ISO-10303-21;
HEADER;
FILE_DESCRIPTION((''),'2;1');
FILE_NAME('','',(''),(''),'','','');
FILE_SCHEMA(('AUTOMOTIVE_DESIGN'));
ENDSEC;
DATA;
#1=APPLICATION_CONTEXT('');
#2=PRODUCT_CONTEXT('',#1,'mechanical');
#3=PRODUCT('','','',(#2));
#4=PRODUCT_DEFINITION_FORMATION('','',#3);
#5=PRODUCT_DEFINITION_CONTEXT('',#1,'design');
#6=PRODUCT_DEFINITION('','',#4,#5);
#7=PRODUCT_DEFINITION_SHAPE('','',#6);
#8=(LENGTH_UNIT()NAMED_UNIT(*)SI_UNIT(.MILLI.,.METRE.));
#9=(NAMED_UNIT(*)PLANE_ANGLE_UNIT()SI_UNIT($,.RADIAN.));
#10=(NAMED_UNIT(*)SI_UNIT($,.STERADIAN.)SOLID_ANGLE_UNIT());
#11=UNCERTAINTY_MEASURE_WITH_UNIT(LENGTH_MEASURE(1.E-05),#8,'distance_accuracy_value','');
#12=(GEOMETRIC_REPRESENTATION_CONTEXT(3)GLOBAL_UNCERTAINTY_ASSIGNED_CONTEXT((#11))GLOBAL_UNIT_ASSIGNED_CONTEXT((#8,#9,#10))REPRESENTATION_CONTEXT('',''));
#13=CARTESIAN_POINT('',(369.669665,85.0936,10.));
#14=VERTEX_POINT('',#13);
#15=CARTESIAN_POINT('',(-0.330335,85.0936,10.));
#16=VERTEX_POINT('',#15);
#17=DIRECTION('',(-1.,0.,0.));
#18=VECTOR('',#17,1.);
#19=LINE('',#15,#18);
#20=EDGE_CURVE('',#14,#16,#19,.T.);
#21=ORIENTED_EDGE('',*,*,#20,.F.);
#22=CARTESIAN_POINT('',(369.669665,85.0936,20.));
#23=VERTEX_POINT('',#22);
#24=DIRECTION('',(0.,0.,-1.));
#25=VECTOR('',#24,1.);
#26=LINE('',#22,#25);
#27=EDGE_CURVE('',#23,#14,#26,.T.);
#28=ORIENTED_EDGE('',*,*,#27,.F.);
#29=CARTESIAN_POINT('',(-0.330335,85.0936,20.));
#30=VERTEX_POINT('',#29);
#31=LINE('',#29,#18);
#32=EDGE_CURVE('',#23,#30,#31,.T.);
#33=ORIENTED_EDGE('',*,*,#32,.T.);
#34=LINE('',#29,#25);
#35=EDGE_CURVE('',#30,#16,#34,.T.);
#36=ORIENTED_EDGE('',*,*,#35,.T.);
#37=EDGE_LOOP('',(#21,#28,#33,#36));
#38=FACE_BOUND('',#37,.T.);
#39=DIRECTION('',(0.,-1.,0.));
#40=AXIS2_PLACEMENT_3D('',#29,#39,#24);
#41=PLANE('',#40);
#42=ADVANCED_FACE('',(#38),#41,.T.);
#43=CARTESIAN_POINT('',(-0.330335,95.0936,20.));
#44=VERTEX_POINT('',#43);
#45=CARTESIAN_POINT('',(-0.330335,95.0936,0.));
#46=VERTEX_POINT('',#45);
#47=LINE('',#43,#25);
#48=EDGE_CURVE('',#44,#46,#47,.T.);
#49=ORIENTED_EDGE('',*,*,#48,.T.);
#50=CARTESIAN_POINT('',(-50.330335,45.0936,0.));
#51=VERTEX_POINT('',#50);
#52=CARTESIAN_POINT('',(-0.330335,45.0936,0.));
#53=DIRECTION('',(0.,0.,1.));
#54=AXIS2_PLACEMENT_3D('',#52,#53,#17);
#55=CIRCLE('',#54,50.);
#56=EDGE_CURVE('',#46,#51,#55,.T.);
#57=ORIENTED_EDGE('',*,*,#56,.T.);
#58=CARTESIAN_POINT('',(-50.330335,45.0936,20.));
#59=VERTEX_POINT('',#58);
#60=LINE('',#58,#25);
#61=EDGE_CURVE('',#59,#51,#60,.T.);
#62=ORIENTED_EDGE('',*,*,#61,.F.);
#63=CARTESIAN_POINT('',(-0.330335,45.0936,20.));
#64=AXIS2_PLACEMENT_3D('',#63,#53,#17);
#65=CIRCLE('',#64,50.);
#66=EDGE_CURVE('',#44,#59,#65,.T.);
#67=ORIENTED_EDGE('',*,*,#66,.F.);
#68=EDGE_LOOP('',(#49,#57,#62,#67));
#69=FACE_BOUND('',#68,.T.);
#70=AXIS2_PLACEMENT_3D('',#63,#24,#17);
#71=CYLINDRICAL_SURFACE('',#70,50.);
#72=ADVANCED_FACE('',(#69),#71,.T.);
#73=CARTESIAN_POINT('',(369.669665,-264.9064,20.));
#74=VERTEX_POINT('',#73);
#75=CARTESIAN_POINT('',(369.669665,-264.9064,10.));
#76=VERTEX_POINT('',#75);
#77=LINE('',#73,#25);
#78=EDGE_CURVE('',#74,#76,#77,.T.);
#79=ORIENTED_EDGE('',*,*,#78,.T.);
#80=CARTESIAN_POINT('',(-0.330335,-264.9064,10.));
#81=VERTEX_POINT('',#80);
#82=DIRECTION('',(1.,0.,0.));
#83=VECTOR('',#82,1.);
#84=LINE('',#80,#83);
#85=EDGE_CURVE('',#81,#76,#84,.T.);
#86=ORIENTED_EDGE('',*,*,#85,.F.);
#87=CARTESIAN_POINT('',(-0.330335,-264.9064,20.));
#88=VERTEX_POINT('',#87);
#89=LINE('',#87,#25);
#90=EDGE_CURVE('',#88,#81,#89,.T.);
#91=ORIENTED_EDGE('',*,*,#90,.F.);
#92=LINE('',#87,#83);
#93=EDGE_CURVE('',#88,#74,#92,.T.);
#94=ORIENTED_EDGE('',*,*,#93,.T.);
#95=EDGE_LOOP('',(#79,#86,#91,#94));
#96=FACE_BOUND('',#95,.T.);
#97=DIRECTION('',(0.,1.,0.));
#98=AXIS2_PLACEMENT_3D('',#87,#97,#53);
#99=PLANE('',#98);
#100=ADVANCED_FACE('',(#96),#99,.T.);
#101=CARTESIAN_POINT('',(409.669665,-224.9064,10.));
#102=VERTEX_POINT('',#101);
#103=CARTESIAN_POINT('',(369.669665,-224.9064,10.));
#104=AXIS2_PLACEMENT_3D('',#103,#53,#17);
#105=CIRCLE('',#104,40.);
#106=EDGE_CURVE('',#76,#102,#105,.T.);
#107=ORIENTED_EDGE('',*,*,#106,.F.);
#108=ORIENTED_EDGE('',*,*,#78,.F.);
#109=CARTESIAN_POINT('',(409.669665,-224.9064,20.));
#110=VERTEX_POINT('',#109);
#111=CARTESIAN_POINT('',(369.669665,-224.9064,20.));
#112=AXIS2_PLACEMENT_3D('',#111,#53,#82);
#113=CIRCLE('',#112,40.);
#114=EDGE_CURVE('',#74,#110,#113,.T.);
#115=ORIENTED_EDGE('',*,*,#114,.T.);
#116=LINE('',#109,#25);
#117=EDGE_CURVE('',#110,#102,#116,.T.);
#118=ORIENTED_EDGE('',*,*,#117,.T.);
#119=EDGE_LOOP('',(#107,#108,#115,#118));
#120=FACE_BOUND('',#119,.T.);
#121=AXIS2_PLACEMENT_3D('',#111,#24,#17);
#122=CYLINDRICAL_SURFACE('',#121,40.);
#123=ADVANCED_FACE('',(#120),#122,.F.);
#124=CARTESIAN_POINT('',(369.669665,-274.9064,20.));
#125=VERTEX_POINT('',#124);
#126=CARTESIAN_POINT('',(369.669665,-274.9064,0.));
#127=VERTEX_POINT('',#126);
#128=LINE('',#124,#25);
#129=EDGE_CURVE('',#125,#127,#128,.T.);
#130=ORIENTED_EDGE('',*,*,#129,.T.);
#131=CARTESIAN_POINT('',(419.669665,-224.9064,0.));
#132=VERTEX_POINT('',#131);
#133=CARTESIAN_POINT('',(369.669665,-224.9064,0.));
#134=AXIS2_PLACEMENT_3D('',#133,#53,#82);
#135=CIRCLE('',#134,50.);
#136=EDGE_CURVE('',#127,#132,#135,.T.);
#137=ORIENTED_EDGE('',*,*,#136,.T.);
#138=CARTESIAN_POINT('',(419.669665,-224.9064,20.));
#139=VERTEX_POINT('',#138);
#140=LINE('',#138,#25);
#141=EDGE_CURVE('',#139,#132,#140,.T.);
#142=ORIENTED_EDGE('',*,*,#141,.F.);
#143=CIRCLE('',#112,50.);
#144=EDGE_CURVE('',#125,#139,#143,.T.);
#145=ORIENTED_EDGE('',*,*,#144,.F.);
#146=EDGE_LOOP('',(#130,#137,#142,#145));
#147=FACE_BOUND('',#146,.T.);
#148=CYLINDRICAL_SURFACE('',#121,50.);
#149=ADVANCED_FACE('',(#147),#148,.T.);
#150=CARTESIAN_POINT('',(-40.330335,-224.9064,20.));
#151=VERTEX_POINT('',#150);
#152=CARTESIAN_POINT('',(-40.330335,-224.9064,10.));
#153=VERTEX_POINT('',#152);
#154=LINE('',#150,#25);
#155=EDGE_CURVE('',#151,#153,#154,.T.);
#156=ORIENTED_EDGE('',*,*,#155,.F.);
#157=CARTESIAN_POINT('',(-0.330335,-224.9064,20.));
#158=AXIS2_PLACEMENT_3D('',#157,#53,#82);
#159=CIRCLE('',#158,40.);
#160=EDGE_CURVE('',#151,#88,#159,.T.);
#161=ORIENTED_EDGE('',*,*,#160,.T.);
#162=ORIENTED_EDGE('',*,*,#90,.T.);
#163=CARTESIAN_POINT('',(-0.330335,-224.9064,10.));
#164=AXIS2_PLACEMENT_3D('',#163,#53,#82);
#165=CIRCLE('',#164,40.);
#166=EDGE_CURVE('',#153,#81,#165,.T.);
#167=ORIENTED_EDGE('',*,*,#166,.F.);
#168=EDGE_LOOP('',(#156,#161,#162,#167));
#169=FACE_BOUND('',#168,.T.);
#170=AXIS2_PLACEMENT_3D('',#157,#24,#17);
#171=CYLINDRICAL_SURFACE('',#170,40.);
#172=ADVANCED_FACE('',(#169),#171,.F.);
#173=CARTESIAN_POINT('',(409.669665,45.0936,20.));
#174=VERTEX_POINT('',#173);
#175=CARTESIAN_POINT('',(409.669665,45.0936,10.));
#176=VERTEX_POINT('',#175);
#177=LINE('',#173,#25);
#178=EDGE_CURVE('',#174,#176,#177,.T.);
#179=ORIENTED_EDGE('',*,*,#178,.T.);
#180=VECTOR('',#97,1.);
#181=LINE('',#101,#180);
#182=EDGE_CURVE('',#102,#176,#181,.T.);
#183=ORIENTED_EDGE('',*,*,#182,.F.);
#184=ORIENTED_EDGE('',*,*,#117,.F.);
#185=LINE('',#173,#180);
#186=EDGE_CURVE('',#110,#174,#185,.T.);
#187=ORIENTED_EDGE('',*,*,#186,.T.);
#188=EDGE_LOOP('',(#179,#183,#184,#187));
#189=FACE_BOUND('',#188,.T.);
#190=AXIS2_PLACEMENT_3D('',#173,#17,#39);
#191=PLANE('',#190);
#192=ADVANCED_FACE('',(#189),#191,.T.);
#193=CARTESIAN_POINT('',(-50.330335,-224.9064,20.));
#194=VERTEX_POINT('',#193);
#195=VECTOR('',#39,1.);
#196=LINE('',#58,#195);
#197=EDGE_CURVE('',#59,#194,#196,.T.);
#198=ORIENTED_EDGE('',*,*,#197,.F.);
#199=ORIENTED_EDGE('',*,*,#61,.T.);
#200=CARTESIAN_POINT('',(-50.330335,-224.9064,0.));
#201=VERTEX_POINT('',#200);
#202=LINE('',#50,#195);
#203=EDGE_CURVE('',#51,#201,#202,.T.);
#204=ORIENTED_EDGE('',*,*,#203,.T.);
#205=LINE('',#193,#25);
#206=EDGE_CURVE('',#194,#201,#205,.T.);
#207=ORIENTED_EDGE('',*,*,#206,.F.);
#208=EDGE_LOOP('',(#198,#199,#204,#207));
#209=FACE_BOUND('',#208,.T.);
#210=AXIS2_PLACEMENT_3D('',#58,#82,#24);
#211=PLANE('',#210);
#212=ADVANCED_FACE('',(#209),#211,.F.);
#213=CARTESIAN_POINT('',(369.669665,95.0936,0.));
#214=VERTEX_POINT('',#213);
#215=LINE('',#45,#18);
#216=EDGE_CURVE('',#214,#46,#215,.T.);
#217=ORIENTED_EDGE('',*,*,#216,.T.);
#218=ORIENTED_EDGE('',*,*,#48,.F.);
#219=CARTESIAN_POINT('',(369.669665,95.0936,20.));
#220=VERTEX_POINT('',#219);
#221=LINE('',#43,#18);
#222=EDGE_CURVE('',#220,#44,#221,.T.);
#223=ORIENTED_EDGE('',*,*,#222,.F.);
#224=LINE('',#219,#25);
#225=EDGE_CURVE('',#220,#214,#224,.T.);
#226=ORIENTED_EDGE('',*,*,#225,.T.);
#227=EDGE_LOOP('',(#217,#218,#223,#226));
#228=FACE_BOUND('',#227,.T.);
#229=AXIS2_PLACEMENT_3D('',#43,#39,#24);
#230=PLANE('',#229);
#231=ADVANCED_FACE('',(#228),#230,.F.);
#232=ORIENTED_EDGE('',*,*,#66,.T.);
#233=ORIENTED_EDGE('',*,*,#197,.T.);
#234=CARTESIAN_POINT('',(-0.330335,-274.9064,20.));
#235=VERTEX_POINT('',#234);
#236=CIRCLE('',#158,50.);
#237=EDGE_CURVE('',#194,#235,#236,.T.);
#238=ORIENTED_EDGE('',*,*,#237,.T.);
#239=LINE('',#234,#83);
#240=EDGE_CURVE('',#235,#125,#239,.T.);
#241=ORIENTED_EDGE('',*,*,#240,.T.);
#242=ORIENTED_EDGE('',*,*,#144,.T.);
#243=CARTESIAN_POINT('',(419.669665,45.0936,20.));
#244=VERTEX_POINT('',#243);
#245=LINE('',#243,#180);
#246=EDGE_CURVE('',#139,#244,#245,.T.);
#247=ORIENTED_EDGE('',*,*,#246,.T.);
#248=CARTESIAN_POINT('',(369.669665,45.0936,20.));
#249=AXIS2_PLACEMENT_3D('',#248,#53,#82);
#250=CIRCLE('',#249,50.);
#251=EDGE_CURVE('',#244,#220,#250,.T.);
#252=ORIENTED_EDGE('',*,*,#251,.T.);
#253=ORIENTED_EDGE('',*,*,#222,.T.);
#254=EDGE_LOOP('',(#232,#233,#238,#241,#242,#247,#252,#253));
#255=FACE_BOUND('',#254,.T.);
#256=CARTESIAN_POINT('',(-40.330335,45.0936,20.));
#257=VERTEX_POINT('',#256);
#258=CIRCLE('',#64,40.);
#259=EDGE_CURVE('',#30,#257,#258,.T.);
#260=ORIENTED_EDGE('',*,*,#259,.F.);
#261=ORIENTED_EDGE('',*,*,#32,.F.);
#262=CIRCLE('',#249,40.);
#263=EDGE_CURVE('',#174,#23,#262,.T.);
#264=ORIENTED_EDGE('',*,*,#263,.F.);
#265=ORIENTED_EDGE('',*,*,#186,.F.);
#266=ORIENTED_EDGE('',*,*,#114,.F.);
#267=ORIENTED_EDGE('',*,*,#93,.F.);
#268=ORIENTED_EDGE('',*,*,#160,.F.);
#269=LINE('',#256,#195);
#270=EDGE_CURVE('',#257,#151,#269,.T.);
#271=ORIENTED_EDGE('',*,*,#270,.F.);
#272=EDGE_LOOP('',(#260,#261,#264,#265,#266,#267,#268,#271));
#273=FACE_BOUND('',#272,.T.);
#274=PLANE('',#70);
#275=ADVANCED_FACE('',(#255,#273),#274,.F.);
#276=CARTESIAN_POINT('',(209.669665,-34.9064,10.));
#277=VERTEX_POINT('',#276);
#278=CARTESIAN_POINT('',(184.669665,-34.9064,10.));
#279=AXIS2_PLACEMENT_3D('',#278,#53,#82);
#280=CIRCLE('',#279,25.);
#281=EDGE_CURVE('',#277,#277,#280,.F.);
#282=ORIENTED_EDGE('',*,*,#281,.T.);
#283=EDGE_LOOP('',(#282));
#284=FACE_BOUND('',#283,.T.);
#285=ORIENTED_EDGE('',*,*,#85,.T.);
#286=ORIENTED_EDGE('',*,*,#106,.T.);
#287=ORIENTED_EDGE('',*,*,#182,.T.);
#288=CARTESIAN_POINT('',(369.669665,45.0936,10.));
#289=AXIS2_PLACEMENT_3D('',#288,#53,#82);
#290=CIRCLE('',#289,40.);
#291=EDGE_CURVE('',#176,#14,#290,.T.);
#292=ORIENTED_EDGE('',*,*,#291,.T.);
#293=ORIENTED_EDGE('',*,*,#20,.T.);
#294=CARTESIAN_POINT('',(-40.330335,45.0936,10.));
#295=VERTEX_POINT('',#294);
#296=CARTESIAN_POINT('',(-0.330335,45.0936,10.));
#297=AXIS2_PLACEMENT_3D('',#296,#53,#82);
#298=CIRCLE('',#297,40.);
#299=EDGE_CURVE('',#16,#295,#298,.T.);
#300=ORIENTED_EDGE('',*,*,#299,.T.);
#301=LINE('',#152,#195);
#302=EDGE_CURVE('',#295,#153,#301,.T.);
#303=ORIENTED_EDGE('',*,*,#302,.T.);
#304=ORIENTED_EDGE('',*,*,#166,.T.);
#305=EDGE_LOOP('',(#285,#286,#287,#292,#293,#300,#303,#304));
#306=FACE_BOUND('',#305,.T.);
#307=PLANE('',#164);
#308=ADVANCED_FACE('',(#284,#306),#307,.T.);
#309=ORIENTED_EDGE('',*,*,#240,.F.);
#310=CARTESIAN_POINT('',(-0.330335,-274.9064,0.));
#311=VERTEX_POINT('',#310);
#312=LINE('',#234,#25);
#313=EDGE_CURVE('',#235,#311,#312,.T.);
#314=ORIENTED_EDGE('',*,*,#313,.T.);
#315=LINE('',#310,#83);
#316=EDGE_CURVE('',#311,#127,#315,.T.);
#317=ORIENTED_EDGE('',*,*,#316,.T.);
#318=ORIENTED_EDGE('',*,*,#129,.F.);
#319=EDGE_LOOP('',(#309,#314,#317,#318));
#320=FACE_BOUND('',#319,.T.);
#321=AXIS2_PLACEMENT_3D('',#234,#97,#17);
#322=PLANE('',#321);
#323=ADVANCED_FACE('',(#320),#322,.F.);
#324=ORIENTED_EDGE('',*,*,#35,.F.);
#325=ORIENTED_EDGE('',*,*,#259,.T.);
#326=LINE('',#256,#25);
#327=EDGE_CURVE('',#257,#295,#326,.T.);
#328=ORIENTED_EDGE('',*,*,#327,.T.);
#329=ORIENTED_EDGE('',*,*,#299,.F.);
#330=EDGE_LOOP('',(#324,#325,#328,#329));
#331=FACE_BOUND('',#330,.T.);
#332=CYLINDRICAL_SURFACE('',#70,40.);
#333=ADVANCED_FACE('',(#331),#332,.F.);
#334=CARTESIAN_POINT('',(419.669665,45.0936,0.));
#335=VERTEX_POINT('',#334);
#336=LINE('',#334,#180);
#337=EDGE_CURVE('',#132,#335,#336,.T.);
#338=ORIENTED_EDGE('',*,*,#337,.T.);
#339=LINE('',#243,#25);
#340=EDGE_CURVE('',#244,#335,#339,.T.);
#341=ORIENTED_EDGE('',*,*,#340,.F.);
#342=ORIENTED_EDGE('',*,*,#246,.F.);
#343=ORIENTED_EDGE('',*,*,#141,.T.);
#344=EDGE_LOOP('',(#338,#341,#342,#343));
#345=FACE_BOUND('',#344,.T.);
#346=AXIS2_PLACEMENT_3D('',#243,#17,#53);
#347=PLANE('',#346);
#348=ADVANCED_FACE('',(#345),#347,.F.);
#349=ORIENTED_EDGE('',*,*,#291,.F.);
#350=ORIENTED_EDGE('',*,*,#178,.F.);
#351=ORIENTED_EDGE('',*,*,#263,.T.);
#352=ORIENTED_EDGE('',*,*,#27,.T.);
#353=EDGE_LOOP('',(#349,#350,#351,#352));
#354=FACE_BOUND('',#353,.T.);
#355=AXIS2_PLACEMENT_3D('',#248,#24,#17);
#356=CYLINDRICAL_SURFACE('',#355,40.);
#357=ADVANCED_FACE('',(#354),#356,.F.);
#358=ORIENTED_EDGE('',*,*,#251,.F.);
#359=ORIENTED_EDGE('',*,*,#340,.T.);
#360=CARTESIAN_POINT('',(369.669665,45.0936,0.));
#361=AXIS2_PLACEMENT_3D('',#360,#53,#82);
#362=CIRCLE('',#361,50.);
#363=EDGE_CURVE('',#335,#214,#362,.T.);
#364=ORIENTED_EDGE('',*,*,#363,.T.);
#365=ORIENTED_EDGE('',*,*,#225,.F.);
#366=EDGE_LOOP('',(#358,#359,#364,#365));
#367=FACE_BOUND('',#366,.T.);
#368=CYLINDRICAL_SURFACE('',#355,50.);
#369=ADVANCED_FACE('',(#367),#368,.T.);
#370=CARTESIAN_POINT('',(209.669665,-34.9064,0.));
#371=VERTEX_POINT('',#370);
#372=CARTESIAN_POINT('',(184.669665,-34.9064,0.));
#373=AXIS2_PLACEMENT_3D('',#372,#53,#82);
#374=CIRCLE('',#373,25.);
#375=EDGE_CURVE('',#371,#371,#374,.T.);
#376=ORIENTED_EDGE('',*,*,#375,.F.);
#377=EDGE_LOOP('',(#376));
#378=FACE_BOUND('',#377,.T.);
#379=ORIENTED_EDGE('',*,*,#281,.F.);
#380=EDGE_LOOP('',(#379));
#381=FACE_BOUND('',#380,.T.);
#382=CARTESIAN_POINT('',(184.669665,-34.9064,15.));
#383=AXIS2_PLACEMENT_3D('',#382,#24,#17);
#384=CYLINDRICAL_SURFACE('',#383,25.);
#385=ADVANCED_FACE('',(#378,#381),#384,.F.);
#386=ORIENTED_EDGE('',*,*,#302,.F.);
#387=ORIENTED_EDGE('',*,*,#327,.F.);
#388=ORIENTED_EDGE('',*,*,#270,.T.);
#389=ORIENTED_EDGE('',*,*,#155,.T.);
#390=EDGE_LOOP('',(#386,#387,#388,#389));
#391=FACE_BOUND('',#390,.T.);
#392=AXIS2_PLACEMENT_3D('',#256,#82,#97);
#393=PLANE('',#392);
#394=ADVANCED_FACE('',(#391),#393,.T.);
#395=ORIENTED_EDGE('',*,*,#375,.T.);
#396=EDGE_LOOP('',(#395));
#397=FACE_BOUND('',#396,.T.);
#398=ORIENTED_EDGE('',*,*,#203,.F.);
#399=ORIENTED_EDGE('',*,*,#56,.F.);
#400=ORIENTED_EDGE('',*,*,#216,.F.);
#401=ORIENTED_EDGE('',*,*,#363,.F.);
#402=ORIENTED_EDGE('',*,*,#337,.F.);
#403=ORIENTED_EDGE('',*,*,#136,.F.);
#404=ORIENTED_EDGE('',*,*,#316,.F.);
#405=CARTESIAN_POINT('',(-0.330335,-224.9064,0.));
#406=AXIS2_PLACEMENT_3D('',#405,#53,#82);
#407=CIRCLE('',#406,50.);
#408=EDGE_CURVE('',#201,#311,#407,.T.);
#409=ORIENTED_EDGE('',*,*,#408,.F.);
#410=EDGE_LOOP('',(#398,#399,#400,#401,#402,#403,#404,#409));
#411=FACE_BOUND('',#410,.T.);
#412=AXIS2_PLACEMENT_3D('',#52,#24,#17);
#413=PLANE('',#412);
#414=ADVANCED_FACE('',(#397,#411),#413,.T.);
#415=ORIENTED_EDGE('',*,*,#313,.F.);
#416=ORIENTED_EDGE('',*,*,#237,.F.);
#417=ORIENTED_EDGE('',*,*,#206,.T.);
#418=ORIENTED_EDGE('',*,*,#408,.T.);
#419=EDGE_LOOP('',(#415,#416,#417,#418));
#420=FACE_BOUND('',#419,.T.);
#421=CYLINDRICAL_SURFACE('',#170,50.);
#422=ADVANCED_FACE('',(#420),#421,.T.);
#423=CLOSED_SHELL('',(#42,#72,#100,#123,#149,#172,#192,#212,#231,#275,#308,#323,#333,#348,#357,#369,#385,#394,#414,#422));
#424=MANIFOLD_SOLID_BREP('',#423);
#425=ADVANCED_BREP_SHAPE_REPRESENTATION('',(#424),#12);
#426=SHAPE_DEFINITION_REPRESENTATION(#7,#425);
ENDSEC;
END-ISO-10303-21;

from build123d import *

# Parameters (mm, degrees)
AUFSATZ_LINEAR_AUSTRAGEN1_DEPTH = 20
AUFSATZ_LINEAR_AUSTRAGEN2_DEPTH = 10
SKIZZE3_R                       = 25
SCHNITT_LINEAR_AUSTRAGEN1_DEPTH = 15


with BuildPart() as part:
    # Skizze1 → Aufsatz-Linear austragen1 (new body)
    with BuildSketch(Plane.XY):
        with BuildLine():
            Line((-0.330334949, 95.09360025), (369.669665051, 95.09360025))
            ThreePointArc((369.669665051, 95.09360025), (405.02500411, 80.448939309), (419.669665051, 45.09360025))
            Line((419.669665051, 45.09360025), (419.669665051, -224.90639975))
            ThreePointArc((419.669665051, -224.90639975), (405.02500411, -260.26173881), (369.669665051, -274.90639975))
            Line((369.669665051, -274.90639975), (-0.330334949, -274.90639975))
            ThreePointArc((-0.330334949, -274.90639975), (-35.685674008, -260.26173881), (-50.330334949, -224.90639975))
            Line((-50.330334949, -224.90639975), (-50.330334949, 45.09360025))
            ThreePointArc((-50.330334949, 45.09360025), (-35.685674008, 80.448939309), (-0.330334949, 95.09360025))
        make_face()
        with BuildLine():
            Line((-0.330334949, 85.09360025), (369.669665051, 85.09360025))
            ThreePointArc((369.669665051, 85.09360025), (397.953936298, 73.377871497), (409.669665051, 45.09360025))
            Line((409.669665051, 45.09360025), (409.669665051, -224.90639975))
            ThreePointArc((409.669665051, -224.90639975), (397.953936298, -253.190670998), (369.669665051, -264.90639975))
            Line((369.669665051, -264.90639975), (-0.330334949, -264.90639975))
            ThreePointArc((-0.330334949, -264.90639975), (-28.614606196, -253.190670998), (-40.330334949, -224.90639975))
            Line((-40.330334949, -224.90639975), (-40.330334949, 45.09360025))
            ThreePointArc((-40.330334949, 45.09360025), (-28.614606196, 73.377871497), (-0.330334949, 85.09360025))
        make_face(mode=Mode.SUBTRACT)
    extrude(amount=AUFSATZ_LINEAR_AUSTRAGEN1_DEPTH)

    # Skizze2 → Aufsatz-Linear austragen2 (add)
    with BuildSketch(Plane.XY):
        with BuildLine():
            Line((-0.330334949, -264.90639975), (369.669665051, -264.90639975))
            ThreePointArc((369.669665051, -264.90639975), (397.953936298, -253.190670998), (409.669665051, -224.90639975))
            Line((409.669665051, -224.90639975), (409.669665051, 45.09360025))
            ThreePointArc((409.669665051, 45.09360025), (397.953936298, 73.377871497), (369.669665051, 85.09360025))
            Line((369.669665051, 85.09360025), (-0.330334949, 85.09360025))
            ThreePointArc((-0.330334949, 85.09360025), (-28.614606196, 73.377871497), (-40.330334949, 45.09360025))
            Line((-40.330334949, 45.09360025), (-40.330334949, -224.90639975))
            ThreePointArc((-40.330334949, -224.90639975), (-28.614606196, -253.190670998), (-0.330334949, -264.90639975))
        make_face()
    extrude(amount=AUFSATZ_LINEAR_AUSTRAGEN2_DEPTH)

    # Skizze3 → Schnitt-Linear austragen1 (cut)
    with BuildSketch(Plane.XY):
        with Locations((184.669665051, -34.90639975)):
            Circle(SKIZZE3_R)
    extrude(amount=SCHNITT_LINEAR_AUSTRAGEN1_DEPTH, mode=Mode.SUBTRACT)


solid = part.part
